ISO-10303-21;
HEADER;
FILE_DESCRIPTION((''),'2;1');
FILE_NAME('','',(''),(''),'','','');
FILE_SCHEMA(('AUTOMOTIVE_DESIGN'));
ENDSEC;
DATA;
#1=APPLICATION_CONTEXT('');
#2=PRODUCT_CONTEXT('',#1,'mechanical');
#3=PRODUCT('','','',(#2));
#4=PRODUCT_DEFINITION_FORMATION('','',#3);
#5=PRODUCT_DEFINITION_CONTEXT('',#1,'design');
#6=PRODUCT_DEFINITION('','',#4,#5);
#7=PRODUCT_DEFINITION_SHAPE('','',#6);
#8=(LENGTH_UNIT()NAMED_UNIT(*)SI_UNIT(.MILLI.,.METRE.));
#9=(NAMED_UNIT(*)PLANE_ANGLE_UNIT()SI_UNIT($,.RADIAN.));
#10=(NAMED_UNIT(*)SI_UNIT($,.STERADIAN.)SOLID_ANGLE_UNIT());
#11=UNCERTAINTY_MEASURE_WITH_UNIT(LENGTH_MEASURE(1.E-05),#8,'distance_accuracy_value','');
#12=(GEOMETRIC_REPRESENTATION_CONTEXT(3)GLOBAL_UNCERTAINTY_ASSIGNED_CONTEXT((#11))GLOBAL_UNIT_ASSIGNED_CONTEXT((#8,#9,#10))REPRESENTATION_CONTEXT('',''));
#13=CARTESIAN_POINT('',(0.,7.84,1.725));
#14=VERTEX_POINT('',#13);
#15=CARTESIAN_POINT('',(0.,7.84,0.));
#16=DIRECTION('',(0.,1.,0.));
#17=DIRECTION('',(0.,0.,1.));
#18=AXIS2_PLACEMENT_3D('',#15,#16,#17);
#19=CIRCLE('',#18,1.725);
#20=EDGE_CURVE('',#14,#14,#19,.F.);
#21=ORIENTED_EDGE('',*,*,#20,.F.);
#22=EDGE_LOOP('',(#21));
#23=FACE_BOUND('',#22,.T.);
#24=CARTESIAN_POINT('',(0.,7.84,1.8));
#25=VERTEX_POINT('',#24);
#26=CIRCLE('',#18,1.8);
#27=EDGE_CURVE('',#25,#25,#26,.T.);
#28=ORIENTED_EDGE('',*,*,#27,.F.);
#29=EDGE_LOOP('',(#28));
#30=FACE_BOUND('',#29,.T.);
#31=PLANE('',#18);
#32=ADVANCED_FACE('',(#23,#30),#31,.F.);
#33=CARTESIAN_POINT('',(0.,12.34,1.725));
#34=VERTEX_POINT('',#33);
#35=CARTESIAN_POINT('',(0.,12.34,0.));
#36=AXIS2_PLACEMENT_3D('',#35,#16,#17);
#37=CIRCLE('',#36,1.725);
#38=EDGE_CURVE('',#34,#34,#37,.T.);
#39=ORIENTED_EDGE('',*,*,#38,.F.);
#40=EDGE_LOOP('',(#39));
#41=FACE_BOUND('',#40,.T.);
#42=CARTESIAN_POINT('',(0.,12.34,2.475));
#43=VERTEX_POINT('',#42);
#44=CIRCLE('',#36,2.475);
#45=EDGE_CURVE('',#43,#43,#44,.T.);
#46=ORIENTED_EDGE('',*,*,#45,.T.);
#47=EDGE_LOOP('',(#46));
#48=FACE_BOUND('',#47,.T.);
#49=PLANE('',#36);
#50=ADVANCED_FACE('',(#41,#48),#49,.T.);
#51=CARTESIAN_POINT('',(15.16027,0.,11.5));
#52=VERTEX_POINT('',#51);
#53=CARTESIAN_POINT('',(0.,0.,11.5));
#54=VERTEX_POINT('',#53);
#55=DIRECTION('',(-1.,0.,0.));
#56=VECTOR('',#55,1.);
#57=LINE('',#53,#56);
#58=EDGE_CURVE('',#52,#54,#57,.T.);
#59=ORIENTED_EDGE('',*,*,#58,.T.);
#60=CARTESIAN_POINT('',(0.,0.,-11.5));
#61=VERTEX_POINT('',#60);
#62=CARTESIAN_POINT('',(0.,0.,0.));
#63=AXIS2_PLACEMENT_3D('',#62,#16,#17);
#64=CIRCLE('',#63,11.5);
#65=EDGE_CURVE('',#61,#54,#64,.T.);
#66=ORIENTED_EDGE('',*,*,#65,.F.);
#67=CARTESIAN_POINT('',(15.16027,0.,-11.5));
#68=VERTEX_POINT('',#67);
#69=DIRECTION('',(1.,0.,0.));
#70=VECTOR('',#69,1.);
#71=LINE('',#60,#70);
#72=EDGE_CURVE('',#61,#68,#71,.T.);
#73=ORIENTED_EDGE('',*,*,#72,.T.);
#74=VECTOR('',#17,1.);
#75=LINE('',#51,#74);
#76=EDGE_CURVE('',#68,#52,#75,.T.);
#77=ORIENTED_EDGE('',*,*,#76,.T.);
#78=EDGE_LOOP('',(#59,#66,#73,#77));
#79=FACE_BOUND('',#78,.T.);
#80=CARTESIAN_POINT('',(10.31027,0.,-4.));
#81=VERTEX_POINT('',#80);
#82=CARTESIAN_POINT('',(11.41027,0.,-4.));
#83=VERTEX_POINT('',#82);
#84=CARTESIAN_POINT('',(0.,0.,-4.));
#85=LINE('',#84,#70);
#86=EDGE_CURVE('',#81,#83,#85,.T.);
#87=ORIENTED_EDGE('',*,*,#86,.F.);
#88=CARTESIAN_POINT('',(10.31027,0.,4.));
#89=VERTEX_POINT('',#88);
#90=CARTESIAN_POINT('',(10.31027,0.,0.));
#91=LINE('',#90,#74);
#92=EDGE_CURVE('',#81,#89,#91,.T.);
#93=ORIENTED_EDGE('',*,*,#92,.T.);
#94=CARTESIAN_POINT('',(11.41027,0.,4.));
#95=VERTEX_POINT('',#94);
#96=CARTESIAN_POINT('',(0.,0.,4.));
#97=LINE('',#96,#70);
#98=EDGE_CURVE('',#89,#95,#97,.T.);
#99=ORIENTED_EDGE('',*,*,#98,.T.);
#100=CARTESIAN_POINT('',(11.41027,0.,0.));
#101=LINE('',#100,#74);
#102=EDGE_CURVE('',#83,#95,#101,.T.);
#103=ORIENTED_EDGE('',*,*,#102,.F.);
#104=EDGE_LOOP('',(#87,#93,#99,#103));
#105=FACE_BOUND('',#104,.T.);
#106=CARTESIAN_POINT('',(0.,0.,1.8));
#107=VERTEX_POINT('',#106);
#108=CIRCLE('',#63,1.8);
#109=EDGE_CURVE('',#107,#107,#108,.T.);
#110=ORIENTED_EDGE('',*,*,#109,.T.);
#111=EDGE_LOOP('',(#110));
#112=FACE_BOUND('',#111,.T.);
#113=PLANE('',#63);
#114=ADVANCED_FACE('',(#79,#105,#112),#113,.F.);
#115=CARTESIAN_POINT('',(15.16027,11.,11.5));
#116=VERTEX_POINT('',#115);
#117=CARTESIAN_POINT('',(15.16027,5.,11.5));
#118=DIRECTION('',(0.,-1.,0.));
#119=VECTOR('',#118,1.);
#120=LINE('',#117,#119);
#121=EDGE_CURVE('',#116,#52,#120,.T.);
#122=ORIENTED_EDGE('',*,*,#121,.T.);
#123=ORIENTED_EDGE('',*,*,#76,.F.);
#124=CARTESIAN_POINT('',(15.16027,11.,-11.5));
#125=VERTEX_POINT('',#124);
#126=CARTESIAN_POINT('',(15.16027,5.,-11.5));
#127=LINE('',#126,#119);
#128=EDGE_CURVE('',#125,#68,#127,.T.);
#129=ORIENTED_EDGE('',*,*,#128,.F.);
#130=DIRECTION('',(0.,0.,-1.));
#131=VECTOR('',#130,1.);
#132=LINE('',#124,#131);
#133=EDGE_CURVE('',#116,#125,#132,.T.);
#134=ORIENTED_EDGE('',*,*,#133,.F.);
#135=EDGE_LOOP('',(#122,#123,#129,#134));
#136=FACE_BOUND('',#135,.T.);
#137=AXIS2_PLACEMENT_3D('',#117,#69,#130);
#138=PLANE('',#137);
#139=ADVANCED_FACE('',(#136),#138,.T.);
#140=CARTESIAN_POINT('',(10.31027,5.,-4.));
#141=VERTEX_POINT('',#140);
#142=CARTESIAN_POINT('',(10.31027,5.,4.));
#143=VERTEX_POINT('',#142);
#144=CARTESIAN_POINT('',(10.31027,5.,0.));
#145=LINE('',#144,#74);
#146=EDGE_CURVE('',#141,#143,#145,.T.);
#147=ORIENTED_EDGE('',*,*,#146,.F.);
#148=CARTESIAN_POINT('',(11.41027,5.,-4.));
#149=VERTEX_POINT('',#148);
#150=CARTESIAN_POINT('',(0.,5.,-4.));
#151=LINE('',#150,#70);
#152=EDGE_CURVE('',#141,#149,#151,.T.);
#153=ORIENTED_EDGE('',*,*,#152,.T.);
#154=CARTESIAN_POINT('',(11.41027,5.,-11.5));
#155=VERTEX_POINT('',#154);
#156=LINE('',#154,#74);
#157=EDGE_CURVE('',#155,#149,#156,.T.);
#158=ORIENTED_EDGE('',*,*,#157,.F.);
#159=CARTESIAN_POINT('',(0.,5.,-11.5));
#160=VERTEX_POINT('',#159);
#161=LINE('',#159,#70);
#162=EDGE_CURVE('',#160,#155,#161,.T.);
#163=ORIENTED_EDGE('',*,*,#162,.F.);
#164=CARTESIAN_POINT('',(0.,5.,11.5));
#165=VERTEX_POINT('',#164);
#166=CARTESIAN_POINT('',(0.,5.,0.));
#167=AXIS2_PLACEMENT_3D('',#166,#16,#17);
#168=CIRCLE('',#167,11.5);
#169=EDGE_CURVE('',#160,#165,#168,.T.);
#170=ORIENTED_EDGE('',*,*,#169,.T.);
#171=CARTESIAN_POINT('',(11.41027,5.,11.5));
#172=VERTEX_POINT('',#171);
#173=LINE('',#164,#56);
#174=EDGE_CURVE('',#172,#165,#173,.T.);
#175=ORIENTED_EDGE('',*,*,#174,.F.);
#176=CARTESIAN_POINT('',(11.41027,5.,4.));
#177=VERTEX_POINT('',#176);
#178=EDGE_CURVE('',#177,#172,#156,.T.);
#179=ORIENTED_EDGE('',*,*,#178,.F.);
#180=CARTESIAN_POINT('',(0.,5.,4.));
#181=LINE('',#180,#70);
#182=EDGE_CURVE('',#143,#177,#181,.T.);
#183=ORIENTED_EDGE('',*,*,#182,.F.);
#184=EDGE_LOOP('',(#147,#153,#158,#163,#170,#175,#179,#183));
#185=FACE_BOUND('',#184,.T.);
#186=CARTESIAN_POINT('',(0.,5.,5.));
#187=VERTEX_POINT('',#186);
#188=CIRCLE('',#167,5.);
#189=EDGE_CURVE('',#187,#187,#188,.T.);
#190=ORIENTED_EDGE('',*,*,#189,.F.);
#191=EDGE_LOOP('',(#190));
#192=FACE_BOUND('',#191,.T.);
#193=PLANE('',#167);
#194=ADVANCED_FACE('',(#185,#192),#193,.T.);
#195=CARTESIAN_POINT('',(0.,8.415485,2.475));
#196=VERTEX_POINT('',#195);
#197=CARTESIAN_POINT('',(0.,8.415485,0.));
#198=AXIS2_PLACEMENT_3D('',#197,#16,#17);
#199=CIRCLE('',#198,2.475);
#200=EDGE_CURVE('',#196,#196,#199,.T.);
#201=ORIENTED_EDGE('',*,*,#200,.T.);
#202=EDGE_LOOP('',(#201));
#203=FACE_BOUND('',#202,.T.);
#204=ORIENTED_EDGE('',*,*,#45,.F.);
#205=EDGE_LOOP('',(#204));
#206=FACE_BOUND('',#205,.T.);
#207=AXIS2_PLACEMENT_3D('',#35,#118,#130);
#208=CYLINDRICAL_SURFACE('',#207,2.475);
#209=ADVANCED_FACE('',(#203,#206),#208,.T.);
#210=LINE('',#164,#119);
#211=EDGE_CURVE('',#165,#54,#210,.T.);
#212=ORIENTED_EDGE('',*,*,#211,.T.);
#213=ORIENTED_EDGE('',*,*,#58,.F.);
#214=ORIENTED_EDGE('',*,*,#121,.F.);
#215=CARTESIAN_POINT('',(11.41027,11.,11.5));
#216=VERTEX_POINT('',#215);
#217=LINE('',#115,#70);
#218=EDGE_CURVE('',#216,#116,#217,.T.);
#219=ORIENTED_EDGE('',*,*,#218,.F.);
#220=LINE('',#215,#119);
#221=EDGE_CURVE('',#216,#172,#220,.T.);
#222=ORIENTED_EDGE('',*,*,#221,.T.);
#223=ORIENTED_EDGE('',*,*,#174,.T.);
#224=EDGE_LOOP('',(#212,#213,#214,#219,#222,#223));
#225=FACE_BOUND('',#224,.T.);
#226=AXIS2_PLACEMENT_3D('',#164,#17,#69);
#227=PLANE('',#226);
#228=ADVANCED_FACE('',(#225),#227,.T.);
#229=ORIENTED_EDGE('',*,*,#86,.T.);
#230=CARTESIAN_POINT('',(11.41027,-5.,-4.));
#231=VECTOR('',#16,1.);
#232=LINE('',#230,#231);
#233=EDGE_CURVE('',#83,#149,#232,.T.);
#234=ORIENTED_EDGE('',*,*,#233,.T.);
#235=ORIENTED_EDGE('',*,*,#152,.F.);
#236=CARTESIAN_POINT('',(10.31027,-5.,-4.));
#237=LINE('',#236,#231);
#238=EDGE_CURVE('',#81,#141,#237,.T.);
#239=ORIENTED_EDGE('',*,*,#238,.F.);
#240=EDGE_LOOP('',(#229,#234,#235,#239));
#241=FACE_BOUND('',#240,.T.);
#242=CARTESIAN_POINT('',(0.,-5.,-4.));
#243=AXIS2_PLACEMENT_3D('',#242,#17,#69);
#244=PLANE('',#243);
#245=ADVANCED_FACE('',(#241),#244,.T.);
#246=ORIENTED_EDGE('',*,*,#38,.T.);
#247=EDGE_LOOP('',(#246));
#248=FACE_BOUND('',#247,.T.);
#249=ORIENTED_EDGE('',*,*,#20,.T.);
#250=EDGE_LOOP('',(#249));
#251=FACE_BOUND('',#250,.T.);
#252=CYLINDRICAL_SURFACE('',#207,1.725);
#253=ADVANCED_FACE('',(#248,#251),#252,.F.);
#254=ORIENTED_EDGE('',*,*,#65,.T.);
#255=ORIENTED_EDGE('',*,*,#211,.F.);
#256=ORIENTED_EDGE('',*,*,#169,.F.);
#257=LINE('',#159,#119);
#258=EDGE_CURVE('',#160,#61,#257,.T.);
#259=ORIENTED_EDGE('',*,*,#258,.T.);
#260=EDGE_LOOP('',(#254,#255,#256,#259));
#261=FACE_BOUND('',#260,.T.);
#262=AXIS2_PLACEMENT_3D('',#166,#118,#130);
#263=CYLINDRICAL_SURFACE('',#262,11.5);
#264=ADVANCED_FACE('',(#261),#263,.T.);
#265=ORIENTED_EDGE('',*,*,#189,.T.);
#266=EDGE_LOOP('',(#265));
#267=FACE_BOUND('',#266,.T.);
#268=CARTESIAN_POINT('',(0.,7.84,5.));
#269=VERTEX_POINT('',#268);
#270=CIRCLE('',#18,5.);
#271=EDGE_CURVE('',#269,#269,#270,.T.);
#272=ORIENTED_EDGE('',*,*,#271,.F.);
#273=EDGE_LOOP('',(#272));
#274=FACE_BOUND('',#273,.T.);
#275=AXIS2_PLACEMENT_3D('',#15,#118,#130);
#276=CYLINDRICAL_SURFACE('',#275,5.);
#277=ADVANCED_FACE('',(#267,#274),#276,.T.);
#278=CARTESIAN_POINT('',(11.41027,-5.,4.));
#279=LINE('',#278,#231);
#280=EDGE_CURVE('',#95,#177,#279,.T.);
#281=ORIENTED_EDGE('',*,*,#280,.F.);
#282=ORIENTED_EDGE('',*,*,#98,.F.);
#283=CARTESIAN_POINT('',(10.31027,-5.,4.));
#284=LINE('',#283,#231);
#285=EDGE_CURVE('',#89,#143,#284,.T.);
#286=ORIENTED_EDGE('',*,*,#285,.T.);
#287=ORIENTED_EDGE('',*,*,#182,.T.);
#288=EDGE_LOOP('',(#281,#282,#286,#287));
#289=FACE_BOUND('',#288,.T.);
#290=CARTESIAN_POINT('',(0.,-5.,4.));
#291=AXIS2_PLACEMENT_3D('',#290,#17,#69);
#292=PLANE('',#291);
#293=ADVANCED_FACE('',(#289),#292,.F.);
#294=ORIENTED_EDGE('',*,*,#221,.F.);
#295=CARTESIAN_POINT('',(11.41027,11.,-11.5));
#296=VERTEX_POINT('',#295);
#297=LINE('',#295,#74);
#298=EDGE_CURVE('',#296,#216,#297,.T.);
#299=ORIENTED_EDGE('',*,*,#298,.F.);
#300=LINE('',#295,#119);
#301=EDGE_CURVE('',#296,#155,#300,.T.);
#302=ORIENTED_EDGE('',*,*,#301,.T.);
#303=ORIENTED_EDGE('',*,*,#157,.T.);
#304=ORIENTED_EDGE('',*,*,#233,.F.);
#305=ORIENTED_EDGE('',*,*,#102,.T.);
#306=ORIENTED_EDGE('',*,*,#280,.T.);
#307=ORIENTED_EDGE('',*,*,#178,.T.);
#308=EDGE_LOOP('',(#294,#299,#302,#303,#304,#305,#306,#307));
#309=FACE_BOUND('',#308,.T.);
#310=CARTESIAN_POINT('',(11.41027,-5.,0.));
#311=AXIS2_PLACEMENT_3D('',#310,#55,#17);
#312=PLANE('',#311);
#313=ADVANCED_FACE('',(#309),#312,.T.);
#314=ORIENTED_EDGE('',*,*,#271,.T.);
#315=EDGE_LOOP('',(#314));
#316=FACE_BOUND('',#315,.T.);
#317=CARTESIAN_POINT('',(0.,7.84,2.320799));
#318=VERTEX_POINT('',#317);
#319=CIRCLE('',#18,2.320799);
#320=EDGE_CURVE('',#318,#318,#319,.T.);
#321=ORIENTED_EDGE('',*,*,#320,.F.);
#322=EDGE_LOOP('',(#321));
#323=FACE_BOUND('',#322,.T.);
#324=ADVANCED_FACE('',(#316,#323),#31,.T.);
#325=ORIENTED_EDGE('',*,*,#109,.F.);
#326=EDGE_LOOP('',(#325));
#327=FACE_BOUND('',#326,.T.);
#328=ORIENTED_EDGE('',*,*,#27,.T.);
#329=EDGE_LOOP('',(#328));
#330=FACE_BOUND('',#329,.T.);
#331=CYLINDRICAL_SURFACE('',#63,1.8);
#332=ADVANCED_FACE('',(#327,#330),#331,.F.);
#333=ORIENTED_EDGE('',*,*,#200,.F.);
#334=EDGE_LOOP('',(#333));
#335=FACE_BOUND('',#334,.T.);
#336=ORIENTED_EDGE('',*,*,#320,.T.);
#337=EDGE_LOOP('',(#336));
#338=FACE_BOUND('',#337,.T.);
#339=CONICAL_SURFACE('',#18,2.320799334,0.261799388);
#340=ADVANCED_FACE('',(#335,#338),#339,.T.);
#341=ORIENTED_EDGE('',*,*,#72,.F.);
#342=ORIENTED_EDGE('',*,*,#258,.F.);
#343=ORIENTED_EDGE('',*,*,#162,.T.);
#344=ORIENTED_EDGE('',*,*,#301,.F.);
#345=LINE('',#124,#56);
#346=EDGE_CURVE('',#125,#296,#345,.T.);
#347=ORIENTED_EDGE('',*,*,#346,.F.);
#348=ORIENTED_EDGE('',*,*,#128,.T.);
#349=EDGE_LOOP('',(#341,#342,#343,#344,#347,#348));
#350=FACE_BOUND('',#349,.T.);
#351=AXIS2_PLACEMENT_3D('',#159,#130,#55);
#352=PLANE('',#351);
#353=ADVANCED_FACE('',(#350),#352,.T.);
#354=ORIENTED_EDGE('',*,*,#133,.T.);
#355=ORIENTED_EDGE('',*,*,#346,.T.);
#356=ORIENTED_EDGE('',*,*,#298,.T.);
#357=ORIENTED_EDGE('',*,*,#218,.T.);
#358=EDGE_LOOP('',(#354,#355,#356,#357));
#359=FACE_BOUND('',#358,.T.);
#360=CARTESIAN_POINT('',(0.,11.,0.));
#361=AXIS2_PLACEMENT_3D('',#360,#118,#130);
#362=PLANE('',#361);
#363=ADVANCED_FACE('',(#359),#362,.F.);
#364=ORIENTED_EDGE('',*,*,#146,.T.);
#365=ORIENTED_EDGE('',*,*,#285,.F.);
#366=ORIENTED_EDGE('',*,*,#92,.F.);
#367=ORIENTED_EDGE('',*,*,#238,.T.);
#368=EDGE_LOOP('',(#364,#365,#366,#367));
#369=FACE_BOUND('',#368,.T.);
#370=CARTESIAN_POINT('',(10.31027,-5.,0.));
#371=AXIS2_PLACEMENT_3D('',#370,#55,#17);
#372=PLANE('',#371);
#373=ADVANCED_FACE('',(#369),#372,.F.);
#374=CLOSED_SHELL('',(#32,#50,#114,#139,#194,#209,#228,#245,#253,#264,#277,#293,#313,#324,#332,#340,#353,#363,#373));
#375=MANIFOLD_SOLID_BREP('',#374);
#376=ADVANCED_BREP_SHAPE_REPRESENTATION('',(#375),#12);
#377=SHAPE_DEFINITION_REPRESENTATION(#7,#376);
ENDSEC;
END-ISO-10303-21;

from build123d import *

# Parameters (mm, degrees)
SKETCH1_R           = 11.5
BOSS_EXTRUDE1_DEPTH = 5
SKETCH2_R           = 5
BOSS_EXTRUDE2_DEPTH = 2.84
SKETCH3_R           = 2.475
SKETCH3_R_2         = 1.725
BOSS_EXTRUDE3_DEPTH = 4.5
SKETCH4_R           = 1.8
CUT_EXTRUDE1_DEPTH  = 8.84
SKETCH5_OUTSIDE_W   = 33.03
SKETCH5_OUTSIDE_H   = 33.03
SKETCH5_OUTSIDE_R   = 2.320799334
CUT_EXTRUDE2_DEPTH  = 2
CUT_EXTRUDE2_DRAFT  = 15
BOSS_EXTRUDE4_DEPTH = 5
SKETCH7_W           = 1.1
SKETCH7_H           = 8
CUT_EXTRUDE3_DEPTH  = 10
SKETCH10_W          = 3.75
SKETCH10_H          = 23
BOSS_EXTRUDE5_DEPTH = 6


with BuildPart() as part:
    # Sketch1 → Boss-Extrude1 (new body)
    with BuildSketch(Plane(origin=(0, 0, 0), x_dir=(1, 0, 0), z_dir=(0, 1, 0))):
        with Locations(Location((0, 0, 0), (0, 0, 270))):  # turned: the seam where the file's is
            Circle(SKETCH1_R)
    extrude(amount=BOSS_EXTRUDE1_DEPTH)

    # Sketch2 → Boss-Extrude2 (add)
    with BuildSketch(Plane(origin=(0, 5, 0), x_dir=(1, 0, 0), z_dir=(0, 1, 0))):
        with Locations(Location((0, 0, 0), (0, 0, 270))):  # turned: the seam where the file's is
            Circle(SKETCH2_R)
    extrude(amount=BOSS_EXTRUDE2_DEPTH)

    # Sketch3 → Boss-Extrude3 (add)
    with BuildSketch(Plane(origin=(0, 7.84, 0), x_dir=(1, 0, 0), z_dir=(0, 1, 0))):
        with Locations(Location((0, 0, 0), (0, 0, 270))):  # turned: the seam where the file's is
            Circle(SKETCH3_R)
        with Locations(Location((0, 0, 0), (0, 0, 270))):  # turned: the seam where the file's is
            Circle(SKETCH3_R_2, mode=Mode.SUBTRACT)
    extrude(amount=BOSS_EXTRUDE3_DEPTH)

    # Sketch4 → Cut-Extrude1 (cut, through all)
    with BuildSketch(Plane(origin=(0, 7.84, 0), x_dir=(1, 0, 0), z_dir=(0, 1, 0))):
        with Locations(Location((0, 0, 0), (0, 0, 270))):  # turned: the seam where the file's is
            Circle(SKETCH4_R)
    extrude(amount=-CUT_EXTRUDE1_DEPTH, mode=Mode.SUBTRACT)


with BuildPart() as cut_extrude2_tool:
    # Sketch5 outside → Cut-Extrude2 (with draft: the straight prism first)
    with BuildSketch(Plane(origin=(0, 7.84, 0), x_dir=(1, 0, 0), z_dir=(0, 1, 0))):
        Rectangle(SKETCH5_OUTSIDE_W, SKETCH5_OUTSIDE_H)
        Circle(SKETCH5_OUTSIDE_R, mode=Mode.SUBTRACT)
    extrude(amount=CUT_EXTRUDE2_DEPTH)
    # Cut-Extrude2: the draft: its side faces are tilted about the plane it starts from
    cut_extrude2_sides = [cut_extrude2_tool.faces().sort_by_distance(p)[0] for p in [
        (0, 8.84, 16.515),
        (16.515, 8.84, 0),
        (0, 8.84, -16.515),
        (-16.515, 8.84, 0),
        (-2.320799334, 8.84, 0),
    ]]
    draft(cut_extrude2_sides, Plane(origin=(0, 7.84, 0), x_dir=(1, 0, 0), z_dir=(0, 1, 0)), CUT_EXTRUDE2_DRAFT)


with BuildPart() as part_1:
    add(part.part)

    # Cut-Extrude2: cut by cut_extrude2_tool
    add(cut_extrude2_tool.part, mode=Mode.SUBTRACT)

    # Sketch6 → Boss-Extrude4 (add)
    with BuildSketch(Plane.XZ):
        with BuildLine():
            Line((0, -10.147230248), (0, -11.5))
            Line((0, -11.5), (15.160269884, -11.5))
            Line((15.160269884, -11.5), (15.160269884, 11.5))
            Line((15.160269884, 11.5), (0, 11.5))
            Line((0, 11.5), (0, 10.147230248))
            ThreePointArc((0, 10.147230248), (10.147230248, 0), (0, -10.147230248))
        make_face()
    extrude(amount=-BOSS_EXTRUDE4_DEPTH)

    # Sketch7 → Cut-Extrude3 (cut)
    with BuildSketch(Plane(origin=(0, 5, 0), x_dir=(1, 0, 0), z_dir=(0, 1, 0))):
        with Locations((10.860269884, 0)):
            Rectangle(SKETCH7_W, SKETCH7_H)
    extrude(amount=-CUT_EXTRUDE3_DEPTH, mode=Mode.SUBTRACT)

    # Sketch10 → Boss-Extrude5 (add)
    with BuildSketch(Plane(origin=(0, 5, 0), x_dir=(1, 0, 0), z_dir=(0, 1, 0))):
        with Locations((13.285269884, 0)):
            Rectangle(SKETCH10_W, SKETCH10_H)
    extrude(amount=BOSS_EXTRUDE5_DEPTH)


solid = part_1.part
